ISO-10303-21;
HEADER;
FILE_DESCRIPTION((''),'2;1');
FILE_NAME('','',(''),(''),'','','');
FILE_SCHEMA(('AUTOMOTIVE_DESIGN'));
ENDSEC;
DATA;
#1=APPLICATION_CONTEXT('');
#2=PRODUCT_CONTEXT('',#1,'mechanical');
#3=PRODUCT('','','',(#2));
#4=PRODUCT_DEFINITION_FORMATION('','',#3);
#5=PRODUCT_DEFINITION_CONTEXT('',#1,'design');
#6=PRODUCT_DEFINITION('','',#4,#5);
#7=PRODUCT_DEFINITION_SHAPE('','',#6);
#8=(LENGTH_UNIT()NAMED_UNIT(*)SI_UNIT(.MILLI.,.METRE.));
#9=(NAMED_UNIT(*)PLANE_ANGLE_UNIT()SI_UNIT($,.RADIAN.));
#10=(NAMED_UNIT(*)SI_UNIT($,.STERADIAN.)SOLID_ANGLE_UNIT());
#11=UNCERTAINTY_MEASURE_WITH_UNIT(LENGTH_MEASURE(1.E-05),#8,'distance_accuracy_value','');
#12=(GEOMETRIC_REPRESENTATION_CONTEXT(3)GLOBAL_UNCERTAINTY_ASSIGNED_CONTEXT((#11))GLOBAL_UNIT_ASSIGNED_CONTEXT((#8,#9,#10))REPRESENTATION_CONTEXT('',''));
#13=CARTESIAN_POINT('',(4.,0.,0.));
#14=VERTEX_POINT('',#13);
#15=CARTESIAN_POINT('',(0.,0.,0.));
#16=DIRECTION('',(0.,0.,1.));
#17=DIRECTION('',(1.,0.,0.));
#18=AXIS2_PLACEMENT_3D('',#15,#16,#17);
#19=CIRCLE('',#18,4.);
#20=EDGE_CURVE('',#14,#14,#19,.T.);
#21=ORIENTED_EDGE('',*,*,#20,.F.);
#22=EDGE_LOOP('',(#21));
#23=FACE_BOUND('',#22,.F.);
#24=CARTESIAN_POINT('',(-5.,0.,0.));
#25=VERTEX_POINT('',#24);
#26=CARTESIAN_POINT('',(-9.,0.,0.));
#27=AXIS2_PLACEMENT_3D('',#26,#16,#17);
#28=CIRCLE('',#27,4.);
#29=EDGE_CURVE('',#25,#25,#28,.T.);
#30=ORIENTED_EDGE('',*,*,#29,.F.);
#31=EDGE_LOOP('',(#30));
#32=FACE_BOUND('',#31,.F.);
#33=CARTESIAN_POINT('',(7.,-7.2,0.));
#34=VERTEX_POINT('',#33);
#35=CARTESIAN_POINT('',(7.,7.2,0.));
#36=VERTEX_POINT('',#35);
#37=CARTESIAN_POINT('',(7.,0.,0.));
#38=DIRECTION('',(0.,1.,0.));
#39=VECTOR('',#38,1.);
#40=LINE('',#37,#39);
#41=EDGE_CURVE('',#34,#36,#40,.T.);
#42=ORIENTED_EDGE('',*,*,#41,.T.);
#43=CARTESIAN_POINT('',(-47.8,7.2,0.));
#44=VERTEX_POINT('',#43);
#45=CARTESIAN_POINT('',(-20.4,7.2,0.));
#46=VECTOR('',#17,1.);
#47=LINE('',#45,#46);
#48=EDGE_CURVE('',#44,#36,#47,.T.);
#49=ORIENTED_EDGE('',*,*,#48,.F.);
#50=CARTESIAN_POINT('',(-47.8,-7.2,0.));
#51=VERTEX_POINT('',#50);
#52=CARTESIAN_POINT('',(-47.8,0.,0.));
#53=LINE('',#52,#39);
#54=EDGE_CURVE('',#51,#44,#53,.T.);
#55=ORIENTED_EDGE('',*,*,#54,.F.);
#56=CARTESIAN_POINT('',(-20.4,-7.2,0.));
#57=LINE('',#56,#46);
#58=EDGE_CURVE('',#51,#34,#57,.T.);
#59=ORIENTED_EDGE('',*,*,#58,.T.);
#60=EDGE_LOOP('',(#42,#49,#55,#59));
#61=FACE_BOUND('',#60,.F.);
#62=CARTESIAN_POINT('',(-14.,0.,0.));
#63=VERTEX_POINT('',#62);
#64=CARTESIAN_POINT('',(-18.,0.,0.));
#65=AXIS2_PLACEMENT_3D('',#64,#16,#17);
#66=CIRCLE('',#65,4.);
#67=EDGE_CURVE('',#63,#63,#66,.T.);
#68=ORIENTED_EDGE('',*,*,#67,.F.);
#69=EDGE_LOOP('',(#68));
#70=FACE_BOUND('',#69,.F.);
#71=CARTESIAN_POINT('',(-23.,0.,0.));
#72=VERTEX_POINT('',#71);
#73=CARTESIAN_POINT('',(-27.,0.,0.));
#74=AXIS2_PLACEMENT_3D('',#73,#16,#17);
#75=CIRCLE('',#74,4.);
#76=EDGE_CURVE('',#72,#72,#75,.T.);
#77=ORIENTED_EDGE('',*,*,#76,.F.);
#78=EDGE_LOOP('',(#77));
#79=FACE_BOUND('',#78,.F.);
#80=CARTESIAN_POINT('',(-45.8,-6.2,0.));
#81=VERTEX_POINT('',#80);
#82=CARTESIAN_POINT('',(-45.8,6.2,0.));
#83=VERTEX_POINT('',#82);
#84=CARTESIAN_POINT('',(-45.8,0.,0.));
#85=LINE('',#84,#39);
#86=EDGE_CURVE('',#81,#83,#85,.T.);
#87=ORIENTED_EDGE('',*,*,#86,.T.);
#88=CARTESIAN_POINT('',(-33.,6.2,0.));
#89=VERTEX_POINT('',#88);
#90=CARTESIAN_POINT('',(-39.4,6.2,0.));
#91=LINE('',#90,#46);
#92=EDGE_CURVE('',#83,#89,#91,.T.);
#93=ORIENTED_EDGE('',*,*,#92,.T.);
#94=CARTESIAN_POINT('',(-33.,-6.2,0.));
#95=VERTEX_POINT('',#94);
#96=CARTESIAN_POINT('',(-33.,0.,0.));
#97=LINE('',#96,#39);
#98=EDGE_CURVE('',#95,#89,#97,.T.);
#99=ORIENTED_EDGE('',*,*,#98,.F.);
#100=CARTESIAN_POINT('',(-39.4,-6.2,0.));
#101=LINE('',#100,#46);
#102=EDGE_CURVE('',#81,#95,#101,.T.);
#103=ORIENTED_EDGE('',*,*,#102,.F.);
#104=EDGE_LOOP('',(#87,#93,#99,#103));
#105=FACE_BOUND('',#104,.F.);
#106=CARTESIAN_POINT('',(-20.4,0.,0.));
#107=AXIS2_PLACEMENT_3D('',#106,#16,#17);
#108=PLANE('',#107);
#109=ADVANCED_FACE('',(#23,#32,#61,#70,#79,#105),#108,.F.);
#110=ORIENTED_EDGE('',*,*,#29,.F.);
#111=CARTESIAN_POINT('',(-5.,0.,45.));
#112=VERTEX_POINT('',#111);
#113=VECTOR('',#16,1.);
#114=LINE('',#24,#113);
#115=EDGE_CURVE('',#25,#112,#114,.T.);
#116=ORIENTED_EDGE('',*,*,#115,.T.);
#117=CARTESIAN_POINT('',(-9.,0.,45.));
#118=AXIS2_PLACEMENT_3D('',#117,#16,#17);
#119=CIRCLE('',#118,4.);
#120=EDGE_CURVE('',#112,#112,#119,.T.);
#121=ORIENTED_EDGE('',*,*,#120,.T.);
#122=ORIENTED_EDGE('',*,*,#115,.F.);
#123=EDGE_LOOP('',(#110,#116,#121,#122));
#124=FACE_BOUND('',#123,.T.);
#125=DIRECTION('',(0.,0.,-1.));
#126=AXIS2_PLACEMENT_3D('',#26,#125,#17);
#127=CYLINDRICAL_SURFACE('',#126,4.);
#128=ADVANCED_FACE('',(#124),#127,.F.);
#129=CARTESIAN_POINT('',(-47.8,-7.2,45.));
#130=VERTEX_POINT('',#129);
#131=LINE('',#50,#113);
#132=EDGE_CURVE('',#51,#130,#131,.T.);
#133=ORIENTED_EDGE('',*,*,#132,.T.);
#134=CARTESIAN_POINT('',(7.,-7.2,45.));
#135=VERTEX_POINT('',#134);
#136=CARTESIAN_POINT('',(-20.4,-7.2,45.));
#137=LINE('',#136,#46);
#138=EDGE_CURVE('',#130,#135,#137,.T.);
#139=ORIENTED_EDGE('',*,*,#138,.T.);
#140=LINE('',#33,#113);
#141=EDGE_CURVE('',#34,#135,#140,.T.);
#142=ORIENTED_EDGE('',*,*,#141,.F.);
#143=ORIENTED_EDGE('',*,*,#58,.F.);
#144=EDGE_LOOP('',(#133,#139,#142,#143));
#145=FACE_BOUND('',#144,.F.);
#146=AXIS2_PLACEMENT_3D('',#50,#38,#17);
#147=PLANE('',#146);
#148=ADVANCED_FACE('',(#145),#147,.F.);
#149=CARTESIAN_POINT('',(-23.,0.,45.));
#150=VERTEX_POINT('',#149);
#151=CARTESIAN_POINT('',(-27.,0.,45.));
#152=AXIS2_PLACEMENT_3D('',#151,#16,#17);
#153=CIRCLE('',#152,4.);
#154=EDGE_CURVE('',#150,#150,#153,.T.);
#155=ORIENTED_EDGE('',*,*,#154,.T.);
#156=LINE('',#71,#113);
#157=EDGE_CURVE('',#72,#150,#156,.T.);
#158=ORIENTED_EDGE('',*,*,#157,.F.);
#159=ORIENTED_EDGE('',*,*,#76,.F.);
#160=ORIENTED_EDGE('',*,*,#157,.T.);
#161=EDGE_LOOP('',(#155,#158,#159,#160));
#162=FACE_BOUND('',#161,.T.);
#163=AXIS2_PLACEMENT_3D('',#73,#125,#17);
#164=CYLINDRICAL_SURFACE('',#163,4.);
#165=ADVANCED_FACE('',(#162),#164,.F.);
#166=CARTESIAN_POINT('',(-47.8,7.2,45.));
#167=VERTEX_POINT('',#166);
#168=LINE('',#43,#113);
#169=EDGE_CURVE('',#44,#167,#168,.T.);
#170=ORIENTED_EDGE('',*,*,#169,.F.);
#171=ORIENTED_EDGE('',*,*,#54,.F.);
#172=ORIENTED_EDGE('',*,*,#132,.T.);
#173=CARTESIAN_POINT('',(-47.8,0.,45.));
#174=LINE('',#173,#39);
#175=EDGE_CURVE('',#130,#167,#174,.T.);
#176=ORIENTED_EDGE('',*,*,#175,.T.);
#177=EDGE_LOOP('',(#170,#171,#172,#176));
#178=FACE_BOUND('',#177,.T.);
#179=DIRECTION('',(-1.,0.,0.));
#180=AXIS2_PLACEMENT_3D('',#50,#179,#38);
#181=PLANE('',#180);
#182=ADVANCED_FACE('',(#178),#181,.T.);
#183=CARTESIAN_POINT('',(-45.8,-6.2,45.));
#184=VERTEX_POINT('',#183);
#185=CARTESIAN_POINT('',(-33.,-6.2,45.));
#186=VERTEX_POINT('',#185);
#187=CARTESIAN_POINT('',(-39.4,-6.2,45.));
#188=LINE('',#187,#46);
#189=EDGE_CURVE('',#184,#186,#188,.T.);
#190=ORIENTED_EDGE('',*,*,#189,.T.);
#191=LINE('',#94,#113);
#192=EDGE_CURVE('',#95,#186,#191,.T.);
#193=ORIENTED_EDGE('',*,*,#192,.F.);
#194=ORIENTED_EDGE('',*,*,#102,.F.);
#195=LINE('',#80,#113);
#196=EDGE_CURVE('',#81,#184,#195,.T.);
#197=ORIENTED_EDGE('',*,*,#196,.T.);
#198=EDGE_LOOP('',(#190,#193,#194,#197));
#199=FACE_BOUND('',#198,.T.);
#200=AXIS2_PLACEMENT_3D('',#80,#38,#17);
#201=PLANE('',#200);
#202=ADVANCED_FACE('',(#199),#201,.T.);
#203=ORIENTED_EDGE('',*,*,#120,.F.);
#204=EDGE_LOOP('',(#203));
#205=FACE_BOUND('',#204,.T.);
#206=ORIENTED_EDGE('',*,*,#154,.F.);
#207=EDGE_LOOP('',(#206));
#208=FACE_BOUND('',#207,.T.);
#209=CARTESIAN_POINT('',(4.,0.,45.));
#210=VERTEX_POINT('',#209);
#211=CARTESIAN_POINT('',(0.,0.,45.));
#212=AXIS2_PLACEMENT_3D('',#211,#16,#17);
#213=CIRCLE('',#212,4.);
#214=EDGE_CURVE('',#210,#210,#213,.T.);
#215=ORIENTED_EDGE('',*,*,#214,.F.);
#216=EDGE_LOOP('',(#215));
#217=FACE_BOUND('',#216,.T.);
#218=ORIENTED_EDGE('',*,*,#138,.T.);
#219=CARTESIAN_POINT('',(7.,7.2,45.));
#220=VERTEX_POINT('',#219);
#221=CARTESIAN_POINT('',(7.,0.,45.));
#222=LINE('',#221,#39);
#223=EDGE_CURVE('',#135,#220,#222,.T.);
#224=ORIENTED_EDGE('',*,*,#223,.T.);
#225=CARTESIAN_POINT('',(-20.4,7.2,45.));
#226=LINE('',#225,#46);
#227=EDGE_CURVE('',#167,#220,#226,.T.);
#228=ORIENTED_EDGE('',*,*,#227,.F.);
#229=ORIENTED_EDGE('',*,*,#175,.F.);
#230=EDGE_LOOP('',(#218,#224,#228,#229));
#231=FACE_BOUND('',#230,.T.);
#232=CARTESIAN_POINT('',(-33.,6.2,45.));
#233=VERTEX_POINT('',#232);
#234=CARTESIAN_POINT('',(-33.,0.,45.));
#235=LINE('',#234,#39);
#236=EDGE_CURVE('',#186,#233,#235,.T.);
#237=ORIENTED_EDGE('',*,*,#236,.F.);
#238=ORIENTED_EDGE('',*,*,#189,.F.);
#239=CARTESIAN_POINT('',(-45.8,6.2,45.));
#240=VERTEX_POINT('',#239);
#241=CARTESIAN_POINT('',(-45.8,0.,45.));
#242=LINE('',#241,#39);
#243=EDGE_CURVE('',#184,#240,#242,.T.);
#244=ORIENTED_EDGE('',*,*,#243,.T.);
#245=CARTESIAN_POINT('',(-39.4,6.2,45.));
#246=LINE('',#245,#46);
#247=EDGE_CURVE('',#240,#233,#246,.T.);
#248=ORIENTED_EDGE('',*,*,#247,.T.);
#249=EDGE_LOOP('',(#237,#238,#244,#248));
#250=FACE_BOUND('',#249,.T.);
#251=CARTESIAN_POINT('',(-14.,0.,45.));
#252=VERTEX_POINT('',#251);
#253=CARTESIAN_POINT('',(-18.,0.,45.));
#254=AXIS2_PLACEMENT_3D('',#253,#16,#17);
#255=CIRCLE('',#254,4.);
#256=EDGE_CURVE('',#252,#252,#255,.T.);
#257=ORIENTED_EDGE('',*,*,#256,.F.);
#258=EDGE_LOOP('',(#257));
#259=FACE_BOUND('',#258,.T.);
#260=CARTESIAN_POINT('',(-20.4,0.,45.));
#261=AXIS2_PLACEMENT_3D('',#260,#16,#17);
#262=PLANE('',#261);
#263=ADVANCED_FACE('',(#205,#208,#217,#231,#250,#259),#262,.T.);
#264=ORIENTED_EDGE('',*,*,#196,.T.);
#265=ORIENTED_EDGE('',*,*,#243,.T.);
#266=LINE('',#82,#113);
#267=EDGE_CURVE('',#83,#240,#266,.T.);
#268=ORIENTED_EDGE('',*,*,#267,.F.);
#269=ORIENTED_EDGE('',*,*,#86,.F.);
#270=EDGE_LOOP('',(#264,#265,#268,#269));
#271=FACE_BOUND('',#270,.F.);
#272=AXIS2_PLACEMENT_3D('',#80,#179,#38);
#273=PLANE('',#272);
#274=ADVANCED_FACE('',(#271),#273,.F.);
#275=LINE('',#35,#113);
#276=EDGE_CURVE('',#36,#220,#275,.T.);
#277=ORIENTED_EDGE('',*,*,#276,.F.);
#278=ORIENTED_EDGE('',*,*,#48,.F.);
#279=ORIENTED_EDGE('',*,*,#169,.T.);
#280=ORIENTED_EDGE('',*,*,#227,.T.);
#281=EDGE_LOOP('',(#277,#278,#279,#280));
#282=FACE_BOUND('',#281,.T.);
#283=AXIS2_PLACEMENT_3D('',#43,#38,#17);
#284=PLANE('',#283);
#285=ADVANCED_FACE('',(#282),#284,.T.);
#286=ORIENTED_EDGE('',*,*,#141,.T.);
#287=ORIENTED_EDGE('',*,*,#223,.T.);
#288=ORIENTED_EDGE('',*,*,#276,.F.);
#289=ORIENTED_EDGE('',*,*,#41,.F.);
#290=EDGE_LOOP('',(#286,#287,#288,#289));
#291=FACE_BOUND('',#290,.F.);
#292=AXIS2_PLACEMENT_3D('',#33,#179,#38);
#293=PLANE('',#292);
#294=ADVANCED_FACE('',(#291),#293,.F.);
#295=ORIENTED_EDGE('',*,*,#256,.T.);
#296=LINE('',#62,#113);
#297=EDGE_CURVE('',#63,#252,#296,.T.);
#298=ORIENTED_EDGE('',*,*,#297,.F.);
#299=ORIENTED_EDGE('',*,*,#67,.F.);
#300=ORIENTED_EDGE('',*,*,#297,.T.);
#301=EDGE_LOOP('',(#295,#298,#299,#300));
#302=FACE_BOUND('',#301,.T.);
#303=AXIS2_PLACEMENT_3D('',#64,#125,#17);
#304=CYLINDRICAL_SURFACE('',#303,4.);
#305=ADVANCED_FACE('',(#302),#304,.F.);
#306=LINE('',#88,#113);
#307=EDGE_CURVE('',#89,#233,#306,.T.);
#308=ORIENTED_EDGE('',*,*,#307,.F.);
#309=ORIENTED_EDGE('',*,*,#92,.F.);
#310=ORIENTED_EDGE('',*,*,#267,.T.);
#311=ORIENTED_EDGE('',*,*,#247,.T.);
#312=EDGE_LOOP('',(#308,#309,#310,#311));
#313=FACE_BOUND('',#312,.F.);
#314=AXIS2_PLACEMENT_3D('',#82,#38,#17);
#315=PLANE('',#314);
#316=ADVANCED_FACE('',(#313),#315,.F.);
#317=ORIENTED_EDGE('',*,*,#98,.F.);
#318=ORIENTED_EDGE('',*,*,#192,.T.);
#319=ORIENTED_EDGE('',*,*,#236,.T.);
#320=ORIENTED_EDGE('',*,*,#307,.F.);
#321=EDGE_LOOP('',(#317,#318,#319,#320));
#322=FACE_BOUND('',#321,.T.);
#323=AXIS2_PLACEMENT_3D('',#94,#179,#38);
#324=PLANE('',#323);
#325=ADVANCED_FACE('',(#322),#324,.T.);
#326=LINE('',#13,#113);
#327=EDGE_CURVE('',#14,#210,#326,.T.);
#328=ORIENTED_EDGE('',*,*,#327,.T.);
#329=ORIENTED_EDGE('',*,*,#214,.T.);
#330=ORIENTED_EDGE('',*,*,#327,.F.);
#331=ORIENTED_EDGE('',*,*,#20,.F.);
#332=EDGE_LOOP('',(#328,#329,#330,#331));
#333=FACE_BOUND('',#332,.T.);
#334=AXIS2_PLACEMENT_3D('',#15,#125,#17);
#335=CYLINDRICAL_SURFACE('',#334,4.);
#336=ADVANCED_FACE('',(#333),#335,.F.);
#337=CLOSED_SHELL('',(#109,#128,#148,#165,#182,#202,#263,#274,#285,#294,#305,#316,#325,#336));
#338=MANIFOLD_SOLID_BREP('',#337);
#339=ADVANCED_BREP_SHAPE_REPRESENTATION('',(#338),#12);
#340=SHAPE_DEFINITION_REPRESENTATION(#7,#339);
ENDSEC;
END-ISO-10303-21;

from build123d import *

# Parameters (mm, degrees)
F0_W     = 54.8
F0_H     = 14.4
F0_W_2   = 12.8
F0_H_2   = 12.4
F0_R     = 4
F1_DEPTH = 45


with BuildPart() as f1:
    # F0 (on Top) → F1 (new body)
    with BuildSketch(Plane.XY):
        with Locations((-20.4, 0)):
            Rectangle(F0_W, F0_H)
        with Locations((-39.4, 0)):
            Rectangle(F0_W_2, F0_H_2, mode=Mode.SUBTRACT)
        with Locations((-27, 0)):
            Circle(F0_R, mode=Mode.SUBTRACT)
        with Locations((-18, 0)):
            Circle(F0_R, mode=Mode.SUBTRACT)
        with Locations((-9, 0)):
            Circle(F0_R, mode=Mode.SUBTRACT)
        Circle(F0_R, mode=Mode.SUBTRACT)
    extrude(amount=F1_DEPTH)


solid = f1.part
